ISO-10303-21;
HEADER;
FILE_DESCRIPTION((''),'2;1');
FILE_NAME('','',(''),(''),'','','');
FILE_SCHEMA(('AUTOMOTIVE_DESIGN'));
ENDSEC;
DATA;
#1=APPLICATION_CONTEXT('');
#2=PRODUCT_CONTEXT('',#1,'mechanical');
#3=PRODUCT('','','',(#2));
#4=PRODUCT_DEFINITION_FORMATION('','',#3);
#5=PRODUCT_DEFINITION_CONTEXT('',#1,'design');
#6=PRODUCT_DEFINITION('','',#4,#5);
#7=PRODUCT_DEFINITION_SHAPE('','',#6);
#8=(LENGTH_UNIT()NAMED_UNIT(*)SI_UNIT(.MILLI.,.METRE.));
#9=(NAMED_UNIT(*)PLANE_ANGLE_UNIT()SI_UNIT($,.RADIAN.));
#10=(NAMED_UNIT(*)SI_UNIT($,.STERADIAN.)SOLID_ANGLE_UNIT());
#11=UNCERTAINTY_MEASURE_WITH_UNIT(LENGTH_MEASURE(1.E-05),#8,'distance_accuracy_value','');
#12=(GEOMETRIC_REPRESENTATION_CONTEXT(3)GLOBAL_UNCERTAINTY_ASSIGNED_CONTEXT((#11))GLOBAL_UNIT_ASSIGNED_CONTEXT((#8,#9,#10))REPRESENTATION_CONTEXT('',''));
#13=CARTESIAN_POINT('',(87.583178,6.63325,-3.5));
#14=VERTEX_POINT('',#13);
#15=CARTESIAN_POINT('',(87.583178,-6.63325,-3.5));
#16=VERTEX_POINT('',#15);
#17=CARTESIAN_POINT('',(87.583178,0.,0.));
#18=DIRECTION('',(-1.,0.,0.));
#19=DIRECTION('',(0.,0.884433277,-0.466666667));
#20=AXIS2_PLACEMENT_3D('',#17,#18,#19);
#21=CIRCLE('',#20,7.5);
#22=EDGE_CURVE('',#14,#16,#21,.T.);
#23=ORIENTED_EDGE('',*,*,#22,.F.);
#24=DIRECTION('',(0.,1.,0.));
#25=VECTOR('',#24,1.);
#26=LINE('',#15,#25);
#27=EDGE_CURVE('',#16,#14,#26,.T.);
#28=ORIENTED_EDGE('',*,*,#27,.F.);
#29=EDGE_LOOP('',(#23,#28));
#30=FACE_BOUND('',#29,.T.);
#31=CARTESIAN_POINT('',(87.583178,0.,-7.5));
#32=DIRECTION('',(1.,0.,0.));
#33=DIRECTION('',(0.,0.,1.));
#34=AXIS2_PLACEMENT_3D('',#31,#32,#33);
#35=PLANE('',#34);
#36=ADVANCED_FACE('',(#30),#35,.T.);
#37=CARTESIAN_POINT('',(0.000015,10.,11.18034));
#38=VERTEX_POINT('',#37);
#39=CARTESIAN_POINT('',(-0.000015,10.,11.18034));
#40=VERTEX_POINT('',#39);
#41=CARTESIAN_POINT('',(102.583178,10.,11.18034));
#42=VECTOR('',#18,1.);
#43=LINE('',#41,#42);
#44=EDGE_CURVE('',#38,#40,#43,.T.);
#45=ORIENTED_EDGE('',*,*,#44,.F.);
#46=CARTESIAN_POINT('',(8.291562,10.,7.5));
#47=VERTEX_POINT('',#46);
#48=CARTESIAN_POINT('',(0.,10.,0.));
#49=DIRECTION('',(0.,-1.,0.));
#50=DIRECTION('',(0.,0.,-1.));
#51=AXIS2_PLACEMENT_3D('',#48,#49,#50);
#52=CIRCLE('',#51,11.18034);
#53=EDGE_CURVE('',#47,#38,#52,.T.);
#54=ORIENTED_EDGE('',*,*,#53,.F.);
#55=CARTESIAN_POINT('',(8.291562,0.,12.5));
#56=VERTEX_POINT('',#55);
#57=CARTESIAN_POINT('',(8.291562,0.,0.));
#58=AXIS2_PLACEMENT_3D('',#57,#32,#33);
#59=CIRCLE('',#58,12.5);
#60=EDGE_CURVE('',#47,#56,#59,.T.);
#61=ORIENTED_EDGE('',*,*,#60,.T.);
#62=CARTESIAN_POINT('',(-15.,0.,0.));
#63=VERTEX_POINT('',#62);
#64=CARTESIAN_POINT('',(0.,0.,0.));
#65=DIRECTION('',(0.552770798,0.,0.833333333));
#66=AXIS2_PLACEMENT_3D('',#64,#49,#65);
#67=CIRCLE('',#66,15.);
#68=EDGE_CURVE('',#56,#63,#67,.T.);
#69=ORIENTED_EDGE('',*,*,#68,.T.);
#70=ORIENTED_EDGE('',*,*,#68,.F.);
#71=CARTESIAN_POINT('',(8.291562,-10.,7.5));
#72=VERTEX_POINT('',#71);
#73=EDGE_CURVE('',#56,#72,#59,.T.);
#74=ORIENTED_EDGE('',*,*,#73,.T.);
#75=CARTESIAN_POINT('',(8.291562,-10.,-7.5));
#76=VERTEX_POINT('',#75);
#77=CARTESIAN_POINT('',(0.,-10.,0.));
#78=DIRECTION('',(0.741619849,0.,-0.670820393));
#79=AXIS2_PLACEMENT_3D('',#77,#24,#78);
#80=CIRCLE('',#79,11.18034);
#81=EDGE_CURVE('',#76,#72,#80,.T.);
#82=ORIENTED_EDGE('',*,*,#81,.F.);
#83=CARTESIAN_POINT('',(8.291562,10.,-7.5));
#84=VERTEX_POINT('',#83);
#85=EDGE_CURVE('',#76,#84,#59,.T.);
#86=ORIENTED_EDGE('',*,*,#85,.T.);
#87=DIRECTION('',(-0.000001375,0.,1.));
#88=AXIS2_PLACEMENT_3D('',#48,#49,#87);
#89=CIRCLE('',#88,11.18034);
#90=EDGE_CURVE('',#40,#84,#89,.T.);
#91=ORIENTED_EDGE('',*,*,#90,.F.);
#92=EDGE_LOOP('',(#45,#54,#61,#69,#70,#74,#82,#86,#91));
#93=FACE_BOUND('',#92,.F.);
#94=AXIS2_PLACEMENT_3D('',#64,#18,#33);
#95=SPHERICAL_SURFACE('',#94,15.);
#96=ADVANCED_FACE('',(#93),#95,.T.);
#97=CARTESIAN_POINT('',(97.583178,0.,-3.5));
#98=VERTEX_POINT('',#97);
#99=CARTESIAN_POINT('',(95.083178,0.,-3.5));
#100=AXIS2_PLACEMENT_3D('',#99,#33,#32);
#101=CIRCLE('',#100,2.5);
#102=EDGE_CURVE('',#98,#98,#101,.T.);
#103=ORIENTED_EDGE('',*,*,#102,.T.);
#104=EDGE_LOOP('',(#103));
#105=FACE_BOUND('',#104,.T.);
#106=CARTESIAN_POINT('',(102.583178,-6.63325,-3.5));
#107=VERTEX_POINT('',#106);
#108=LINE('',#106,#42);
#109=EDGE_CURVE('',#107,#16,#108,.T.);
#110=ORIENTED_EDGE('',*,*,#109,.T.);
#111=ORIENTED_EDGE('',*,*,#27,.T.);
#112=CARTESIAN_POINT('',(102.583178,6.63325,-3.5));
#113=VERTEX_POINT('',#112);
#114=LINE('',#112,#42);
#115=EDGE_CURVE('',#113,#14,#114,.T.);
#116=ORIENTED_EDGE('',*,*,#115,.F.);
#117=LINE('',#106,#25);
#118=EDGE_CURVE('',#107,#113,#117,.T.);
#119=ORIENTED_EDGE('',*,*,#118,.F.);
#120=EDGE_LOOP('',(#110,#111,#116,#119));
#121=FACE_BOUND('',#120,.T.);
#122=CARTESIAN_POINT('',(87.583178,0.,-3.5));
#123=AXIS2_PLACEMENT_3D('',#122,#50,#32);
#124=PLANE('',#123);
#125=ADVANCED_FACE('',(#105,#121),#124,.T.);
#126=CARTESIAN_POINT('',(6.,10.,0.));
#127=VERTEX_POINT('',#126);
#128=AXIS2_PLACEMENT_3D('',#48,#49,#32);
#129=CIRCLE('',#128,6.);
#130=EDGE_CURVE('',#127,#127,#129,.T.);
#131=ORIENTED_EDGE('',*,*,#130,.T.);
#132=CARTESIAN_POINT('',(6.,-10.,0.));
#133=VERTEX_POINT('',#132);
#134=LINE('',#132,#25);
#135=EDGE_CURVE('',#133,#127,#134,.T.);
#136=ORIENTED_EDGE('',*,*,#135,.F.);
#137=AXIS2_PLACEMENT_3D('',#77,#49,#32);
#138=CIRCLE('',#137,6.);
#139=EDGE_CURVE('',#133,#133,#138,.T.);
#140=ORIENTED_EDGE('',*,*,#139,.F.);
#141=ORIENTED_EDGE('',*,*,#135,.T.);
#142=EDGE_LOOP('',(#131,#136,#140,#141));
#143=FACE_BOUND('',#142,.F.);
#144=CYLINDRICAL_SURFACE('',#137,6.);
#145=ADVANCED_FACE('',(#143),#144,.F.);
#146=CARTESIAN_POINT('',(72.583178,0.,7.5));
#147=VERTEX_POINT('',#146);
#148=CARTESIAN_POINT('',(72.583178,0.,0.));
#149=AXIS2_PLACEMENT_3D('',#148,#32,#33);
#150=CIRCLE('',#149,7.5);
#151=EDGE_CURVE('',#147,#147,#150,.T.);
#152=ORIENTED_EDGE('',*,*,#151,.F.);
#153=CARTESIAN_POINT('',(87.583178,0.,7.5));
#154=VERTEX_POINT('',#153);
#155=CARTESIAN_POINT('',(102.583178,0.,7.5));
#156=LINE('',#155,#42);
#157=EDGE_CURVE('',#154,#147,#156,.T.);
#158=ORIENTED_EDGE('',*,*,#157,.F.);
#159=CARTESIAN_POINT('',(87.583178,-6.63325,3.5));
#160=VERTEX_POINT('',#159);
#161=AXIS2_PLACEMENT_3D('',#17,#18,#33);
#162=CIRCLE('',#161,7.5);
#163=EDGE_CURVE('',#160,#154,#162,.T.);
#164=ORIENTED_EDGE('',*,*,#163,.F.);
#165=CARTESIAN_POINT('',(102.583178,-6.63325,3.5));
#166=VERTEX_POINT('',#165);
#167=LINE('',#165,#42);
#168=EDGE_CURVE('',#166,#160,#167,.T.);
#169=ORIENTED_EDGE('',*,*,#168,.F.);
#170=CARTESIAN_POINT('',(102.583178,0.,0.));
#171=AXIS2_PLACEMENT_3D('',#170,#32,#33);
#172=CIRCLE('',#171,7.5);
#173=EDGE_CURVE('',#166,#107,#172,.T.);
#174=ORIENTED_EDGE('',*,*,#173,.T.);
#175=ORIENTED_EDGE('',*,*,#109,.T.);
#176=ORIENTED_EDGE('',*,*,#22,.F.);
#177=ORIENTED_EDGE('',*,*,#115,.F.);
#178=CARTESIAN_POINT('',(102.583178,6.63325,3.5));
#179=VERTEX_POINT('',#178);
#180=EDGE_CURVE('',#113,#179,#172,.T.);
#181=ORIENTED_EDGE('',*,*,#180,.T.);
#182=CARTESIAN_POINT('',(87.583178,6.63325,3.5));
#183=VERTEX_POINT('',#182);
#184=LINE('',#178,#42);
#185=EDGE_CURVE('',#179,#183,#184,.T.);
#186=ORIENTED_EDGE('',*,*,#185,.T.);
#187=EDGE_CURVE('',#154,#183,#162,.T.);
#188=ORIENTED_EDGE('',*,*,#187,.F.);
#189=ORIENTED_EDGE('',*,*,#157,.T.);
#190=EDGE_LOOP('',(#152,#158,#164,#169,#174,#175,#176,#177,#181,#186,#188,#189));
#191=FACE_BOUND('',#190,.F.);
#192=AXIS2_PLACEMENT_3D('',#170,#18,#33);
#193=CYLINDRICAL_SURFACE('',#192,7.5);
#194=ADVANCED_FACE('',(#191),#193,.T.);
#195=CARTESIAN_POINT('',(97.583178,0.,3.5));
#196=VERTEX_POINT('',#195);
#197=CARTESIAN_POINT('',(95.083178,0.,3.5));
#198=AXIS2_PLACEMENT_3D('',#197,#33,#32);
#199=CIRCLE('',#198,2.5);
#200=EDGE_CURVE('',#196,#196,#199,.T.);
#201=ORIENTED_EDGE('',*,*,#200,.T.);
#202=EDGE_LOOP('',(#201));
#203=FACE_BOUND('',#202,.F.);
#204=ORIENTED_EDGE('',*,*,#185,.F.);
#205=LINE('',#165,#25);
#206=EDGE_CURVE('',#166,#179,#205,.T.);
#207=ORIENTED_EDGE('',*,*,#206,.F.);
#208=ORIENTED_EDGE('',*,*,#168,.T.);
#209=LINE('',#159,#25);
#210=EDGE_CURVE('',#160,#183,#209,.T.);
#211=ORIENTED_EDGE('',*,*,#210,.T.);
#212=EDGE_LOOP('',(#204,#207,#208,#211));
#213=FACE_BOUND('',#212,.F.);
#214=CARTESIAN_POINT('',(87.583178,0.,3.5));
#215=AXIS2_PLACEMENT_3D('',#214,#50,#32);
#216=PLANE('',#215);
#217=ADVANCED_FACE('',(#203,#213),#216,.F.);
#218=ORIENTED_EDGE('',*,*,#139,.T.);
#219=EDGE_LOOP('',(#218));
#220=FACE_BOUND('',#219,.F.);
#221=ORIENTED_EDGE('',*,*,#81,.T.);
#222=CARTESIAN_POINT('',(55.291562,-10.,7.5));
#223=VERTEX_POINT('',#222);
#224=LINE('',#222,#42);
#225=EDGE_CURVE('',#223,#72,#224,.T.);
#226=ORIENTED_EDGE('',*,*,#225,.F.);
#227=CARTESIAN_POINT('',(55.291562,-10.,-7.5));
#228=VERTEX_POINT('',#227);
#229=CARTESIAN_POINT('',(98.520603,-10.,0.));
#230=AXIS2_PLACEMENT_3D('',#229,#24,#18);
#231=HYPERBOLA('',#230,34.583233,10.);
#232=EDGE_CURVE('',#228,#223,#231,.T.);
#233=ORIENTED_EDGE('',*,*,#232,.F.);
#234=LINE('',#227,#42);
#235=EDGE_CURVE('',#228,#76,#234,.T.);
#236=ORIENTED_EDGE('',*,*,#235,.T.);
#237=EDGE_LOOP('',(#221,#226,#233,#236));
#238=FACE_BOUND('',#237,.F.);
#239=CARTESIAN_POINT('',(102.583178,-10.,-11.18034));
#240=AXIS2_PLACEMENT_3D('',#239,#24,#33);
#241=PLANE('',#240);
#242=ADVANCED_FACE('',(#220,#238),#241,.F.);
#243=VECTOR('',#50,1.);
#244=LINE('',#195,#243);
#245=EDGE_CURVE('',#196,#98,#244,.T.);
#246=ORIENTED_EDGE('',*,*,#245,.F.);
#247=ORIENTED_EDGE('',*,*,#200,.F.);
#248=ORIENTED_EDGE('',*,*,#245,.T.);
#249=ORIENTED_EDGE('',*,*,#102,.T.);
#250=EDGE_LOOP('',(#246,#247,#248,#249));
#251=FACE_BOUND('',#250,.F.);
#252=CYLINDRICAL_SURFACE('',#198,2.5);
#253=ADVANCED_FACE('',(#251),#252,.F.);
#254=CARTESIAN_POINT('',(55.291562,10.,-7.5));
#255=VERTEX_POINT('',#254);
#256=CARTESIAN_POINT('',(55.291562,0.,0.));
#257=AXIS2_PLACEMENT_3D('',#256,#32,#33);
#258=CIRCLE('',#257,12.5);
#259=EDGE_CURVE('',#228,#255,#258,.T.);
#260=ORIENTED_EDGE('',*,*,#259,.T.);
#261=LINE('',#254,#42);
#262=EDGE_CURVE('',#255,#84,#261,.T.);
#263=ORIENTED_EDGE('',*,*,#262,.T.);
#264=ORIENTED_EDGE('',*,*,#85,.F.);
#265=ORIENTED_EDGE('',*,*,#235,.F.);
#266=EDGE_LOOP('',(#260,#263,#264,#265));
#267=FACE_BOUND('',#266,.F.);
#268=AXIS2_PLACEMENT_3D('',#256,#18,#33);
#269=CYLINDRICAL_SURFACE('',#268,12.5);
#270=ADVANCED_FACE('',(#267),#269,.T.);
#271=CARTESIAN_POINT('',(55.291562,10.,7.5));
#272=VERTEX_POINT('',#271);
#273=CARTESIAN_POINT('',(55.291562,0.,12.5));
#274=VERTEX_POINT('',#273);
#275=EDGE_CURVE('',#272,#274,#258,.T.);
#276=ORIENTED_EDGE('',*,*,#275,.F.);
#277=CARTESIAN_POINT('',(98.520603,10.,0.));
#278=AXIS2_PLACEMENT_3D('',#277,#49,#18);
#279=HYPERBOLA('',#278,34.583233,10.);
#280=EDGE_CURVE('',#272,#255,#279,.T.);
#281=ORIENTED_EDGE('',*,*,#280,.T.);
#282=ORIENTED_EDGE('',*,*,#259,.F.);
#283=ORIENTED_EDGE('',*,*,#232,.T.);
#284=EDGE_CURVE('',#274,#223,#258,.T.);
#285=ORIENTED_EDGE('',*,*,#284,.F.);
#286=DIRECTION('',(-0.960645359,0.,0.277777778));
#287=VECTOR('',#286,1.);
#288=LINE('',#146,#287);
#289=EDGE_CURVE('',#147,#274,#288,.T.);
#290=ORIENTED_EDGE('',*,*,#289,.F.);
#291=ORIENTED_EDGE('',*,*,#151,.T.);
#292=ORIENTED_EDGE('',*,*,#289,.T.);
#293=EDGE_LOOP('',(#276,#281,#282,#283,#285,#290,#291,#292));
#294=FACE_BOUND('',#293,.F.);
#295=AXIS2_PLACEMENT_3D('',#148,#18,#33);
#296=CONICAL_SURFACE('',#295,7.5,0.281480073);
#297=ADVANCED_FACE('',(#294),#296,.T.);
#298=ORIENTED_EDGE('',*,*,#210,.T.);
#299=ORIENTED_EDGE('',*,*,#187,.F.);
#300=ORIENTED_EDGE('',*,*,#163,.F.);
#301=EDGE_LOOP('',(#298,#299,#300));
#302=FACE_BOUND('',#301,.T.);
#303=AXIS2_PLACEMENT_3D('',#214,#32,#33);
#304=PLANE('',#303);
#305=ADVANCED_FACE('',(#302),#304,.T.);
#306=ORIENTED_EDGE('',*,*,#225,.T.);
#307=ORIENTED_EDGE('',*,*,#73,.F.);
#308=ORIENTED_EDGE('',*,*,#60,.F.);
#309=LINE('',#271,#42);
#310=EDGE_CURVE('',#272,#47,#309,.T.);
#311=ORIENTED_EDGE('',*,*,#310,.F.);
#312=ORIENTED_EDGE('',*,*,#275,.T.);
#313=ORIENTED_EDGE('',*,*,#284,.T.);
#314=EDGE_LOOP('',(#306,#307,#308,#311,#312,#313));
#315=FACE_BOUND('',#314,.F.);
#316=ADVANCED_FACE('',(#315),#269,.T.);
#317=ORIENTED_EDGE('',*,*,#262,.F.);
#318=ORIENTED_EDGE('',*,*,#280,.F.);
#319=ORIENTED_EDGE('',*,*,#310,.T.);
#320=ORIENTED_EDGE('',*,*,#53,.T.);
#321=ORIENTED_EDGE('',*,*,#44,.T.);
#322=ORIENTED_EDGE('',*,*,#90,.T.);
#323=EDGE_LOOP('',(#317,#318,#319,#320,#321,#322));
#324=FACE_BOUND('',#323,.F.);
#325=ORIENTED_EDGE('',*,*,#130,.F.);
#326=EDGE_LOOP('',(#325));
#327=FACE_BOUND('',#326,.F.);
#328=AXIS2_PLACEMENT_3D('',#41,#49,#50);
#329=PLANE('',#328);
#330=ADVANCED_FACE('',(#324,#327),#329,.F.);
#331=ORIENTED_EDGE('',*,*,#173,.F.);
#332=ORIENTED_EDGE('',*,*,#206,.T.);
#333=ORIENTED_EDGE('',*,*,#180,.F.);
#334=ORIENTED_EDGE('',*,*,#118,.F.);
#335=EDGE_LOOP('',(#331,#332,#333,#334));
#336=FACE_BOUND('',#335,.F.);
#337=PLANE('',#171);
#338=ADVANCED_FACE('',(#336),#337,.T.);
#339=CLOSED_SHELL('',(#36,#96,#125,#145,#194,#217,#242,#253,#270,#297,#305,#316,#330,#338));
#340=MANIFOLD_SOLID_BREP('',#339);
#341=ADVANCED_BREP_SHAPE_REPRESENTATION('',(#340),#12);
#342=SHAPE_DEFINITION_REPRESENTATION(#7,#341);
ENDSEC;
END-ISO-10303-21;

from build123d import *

# Parameters (mm, degrees)
F2_W          = 15
F2_H          = 4
F3_DEPTH      = 15.001
F3_DEPTH_BACK = 15.001
F5_DEPTH      = 117.5841784417
F6_R          = 6
F7_DEPTH      = 20.001
F8_R          = 2.5
F9_DEPTH      = 18.501


with BuildPart() as f1:
    # F0 (on Front) → F1 (revolve)
    with BuildSketch(Plane.XZ):
        with BuildLine():
            ThreePointArc((8.2915619759, 12.5), (-7.0931858273, 13.2169101843), (-15, 0))
            Line((-15, 0), (102.5831784417, 0))
            Line((102.5831784417, 0), (102.5831784417, 7.5))
            Line((102.5831784417, 7.5), (72.5831784417, 7.5))
            Line((72.5831784417, 7.5), (55.2915619759, 12.5))
            Line((55.2915619759, 12.5), (8.2915619759, 12.5))
        make_face()
    revolve(axis=Axis((64.8176119516, 0, 0), (1, 0, 0)))

    # F2 (on Front) → F3 (cut, two sides)
    with BuildSketch(Plane.XZ) as f3_sk:
        with Locations((95.0831784417, 5.5)):
            Rectangle(F2_W, F2_H)
        with Locations((95.0831784417, -5.5)):
            Rectangle(F2_W, F2_H)
    extrude(amount=-F3_DEPTH, mode=Mode.SUBTRACT)
    extrude(f3_sk.sketch, amount=F3_DEPTH_BACK, mode=Mode.SUBTRACT)

    # F4 (on face) → F5 (cut, through all)
    with BuildSketch(Plane.YZ.offset(102.5831784417)):
        with BuildLine():
            Line((-10, -11.1803398875), (-10, 11.1803398875))
            ThreePointArc((-10, 11.1803398875), (-15, 0), (-10, -11.1803398875))
        make_face()
        with BuildLine():
            ThreePointArc((10, -11.1803398875), (15, 0), (10, 11.1803398875))
            Line((10, 11.1803398875), (10, -11.1803398875))
        make_face()
    extrude(amount=-F5_DEPTH, mode=Mode.SUBTRACT)

    # F6 (on face) → F7 (cut, through all)
    with BuildSketch(Plane.XZ.offset(10)):
        Circle(F6_R)
    extrude(amount=-F7_DEPTH, mode=Mode.SUBTRACT)

    # F8 (on face) → F9 (cut, through all)
    with BuildSketch(Plane.XY.offset(3.5)):
        with Locations((95.0831784417, 0)):
            Circle(F8_R)
    extrude(amount=-F9_DEPTH, mode=Mode.SUBTRACT)


solid = f1.part
